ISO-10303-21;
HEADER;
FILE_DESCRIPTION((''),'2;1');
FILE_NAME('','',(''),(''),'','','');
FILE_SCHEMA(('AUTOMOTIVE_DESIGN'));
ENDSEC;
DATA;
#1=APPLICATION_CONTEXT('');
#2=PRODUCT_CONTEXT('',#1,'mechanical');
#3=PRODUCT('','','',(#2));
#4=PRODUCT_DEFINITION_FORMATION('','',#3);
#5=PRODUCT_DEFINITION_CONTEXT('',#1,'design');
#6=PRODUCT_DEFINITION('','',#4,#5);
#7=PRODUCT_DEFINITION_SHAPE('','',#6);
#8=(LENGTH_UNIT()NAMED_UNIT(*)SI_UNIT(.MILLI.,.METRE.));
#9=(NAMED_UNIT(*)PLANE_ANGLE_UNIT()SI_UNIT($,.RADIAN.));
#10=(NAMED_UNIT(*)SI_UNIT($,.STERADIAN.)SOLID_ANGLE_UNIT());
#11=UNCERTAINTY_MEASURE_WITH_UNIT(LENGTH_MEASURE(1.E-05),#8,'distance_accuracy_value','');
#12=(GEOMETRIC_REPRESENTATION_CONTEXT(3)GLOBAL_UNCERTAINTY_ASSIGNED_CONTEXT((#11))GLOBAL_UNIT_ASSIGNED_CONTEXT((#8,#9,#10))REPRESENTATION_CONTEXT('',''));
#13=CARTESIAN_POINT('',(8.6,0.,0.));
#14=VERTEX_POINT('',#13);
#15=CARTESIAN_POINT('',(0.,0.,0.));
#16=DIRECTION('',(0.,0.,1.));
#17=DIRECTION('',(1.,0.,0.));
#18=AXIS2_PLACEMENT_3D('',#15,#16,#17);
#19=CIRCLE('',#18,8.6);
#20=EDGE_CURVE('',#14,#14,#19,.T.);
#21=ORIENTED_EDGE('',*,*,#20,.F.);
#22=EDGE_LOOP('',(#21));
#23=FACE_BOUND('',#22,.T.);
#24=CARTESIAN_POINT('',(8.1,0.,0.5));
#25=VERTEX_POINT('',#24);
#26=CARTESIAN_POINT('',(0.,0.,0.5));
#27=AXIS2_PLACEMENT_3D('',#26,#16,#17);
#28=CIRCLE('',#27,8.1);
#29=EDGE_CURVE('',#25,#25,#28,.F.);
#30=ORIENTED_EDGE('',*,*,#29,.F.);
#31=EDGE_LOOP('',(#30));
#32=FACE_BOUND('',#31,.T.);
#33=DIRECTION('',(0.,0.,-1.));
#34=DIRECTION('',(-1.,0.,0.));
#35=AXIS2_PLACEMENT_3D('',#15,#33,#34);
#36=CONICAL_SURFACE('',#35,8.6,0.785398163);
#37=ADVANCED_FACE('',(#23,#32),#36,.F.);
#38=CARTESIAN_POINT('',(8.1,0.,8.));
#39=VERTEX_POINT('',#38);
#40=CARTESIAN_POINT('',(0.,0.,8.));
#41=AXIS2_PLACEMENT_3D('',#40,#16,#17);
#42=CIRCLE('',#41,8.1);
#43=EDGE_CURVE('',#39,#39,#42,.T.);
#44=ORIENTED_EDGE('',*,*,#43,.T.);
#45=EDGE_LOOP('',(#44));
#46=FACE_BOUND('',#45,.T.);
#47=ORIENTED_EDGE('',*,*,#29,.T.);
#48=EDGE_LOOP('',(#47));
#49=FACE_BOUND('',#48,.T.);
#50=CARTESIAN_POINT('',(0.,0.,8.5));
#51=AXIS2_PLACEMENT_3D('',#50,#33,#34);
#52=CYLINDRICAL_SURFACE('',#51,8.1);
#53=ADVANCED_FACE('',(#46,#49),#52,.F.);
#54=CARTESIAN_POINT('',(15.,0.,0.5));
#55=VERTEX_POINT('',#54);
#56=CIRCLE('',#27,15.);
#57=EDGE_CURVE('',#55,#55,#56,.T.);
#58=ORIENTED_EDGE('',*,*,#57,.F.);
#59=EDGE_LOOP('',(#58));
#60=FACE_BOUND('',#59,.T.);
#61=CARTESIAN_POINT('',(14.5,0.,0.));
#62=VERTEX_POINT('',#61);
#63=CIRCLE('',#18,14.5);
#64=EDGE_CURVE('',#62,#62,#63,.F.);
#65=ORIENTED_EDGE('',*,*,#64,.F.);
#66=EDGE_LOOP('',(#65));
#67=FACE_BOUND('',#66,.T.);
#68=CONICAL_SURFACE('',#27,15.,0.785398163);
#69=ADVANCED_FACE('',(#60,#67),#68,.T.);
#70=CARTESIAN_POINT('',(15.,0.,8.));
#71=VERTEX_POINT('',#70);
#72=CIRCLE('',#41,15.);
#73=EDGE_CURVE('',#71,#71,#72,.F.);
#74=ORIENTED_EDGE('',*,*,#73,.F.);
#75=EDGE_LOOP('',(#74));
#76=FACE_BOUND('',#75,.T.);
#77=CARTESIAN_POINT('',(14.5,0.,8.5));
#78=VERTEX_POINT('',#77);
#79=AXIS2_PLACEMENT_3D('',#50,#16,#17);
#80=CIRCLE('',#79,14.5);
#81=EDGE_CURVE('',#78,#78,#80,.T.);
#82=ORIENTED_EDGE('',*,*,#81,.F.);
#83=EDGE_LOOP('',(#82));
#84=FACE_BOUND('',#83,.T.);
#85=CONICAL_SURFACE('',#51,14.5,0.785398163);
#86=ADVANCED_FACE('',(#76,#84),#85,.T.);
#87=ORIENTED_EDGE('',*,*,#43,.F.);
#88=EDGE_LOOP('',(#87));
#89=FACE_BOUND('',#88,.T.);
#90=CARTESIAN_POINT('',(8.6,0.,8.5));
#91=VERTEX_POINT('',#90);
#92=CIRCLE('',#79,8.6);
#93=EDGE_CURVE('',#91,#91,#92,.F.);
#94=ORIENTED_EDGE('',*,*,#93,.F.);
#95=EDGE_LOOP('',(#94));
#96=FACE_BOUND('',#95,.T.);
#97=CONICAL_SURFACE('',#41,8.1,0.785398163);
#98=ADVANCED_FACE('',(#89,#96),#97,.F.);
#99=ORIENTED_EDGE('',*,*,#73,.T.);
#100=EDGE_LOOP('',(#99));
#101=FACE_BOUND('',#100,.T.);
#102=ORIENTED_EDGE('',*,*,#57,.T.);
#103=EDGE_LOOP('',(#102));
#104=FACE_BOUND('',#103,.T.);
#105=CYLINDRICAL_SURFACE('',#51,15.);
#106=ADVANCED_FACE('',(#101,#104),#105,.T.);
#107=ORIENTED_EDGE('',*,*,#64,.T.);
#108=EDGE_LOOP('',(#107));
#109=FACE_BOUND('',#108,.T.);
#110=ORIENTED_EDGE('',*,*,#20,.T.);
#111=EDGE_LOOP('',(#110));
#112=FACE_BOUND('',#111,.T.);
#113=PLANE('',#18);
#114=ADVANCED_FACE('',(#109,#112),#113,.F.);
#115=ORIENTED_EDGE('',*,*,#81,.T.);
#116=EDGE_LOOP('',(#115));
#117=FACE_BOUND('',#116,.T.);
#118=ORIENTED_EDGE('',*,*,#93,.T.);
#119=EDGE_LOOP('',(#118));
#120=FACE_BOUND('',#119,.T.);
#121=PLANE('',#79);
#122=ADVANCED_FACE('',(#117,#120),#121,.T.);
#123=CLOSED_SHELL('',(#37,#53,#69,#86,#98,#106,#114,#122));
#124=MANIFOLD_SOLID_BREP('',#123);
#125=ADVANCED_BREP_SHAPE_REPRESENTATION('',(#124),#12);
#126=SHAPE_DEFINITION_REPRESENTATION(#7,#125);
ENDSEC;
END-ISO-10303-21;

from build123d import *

# Parameters (mm, degrees)
ESQUISSE1_R        = 15
ESQUISSE1_R_2      = 8.1
BOSS_EXTRU_1_DEPTH = 8.5
CHANFREIN1_SIZE    = 0.5


with BuildPart() as part:
    # Esquisse1 → Boss.-Extru.1 (new body)
    with BuildSketch(Plane.XY):
        Circle(ESQUISSE1_R)
        Circle(ESQUISSE1_R_2, mode=Mode.SUBTRACT)
    extrude(amount=BOSS_EXTRU_1_DEPTH)

    # Chanfrein1
    chanfrein1_edges = [part.edges().sort_by_distance(p)[0] for p in [
        (-15, 0, 0),
        (-15, 0, 8.5),
        (-8.1, 0, 0),
        (-8.1, 0, 8.5),
    ]]
    chamfer(chanfrein1_edges, length=CHANFREIN1_SIZE)


solid = part.part
